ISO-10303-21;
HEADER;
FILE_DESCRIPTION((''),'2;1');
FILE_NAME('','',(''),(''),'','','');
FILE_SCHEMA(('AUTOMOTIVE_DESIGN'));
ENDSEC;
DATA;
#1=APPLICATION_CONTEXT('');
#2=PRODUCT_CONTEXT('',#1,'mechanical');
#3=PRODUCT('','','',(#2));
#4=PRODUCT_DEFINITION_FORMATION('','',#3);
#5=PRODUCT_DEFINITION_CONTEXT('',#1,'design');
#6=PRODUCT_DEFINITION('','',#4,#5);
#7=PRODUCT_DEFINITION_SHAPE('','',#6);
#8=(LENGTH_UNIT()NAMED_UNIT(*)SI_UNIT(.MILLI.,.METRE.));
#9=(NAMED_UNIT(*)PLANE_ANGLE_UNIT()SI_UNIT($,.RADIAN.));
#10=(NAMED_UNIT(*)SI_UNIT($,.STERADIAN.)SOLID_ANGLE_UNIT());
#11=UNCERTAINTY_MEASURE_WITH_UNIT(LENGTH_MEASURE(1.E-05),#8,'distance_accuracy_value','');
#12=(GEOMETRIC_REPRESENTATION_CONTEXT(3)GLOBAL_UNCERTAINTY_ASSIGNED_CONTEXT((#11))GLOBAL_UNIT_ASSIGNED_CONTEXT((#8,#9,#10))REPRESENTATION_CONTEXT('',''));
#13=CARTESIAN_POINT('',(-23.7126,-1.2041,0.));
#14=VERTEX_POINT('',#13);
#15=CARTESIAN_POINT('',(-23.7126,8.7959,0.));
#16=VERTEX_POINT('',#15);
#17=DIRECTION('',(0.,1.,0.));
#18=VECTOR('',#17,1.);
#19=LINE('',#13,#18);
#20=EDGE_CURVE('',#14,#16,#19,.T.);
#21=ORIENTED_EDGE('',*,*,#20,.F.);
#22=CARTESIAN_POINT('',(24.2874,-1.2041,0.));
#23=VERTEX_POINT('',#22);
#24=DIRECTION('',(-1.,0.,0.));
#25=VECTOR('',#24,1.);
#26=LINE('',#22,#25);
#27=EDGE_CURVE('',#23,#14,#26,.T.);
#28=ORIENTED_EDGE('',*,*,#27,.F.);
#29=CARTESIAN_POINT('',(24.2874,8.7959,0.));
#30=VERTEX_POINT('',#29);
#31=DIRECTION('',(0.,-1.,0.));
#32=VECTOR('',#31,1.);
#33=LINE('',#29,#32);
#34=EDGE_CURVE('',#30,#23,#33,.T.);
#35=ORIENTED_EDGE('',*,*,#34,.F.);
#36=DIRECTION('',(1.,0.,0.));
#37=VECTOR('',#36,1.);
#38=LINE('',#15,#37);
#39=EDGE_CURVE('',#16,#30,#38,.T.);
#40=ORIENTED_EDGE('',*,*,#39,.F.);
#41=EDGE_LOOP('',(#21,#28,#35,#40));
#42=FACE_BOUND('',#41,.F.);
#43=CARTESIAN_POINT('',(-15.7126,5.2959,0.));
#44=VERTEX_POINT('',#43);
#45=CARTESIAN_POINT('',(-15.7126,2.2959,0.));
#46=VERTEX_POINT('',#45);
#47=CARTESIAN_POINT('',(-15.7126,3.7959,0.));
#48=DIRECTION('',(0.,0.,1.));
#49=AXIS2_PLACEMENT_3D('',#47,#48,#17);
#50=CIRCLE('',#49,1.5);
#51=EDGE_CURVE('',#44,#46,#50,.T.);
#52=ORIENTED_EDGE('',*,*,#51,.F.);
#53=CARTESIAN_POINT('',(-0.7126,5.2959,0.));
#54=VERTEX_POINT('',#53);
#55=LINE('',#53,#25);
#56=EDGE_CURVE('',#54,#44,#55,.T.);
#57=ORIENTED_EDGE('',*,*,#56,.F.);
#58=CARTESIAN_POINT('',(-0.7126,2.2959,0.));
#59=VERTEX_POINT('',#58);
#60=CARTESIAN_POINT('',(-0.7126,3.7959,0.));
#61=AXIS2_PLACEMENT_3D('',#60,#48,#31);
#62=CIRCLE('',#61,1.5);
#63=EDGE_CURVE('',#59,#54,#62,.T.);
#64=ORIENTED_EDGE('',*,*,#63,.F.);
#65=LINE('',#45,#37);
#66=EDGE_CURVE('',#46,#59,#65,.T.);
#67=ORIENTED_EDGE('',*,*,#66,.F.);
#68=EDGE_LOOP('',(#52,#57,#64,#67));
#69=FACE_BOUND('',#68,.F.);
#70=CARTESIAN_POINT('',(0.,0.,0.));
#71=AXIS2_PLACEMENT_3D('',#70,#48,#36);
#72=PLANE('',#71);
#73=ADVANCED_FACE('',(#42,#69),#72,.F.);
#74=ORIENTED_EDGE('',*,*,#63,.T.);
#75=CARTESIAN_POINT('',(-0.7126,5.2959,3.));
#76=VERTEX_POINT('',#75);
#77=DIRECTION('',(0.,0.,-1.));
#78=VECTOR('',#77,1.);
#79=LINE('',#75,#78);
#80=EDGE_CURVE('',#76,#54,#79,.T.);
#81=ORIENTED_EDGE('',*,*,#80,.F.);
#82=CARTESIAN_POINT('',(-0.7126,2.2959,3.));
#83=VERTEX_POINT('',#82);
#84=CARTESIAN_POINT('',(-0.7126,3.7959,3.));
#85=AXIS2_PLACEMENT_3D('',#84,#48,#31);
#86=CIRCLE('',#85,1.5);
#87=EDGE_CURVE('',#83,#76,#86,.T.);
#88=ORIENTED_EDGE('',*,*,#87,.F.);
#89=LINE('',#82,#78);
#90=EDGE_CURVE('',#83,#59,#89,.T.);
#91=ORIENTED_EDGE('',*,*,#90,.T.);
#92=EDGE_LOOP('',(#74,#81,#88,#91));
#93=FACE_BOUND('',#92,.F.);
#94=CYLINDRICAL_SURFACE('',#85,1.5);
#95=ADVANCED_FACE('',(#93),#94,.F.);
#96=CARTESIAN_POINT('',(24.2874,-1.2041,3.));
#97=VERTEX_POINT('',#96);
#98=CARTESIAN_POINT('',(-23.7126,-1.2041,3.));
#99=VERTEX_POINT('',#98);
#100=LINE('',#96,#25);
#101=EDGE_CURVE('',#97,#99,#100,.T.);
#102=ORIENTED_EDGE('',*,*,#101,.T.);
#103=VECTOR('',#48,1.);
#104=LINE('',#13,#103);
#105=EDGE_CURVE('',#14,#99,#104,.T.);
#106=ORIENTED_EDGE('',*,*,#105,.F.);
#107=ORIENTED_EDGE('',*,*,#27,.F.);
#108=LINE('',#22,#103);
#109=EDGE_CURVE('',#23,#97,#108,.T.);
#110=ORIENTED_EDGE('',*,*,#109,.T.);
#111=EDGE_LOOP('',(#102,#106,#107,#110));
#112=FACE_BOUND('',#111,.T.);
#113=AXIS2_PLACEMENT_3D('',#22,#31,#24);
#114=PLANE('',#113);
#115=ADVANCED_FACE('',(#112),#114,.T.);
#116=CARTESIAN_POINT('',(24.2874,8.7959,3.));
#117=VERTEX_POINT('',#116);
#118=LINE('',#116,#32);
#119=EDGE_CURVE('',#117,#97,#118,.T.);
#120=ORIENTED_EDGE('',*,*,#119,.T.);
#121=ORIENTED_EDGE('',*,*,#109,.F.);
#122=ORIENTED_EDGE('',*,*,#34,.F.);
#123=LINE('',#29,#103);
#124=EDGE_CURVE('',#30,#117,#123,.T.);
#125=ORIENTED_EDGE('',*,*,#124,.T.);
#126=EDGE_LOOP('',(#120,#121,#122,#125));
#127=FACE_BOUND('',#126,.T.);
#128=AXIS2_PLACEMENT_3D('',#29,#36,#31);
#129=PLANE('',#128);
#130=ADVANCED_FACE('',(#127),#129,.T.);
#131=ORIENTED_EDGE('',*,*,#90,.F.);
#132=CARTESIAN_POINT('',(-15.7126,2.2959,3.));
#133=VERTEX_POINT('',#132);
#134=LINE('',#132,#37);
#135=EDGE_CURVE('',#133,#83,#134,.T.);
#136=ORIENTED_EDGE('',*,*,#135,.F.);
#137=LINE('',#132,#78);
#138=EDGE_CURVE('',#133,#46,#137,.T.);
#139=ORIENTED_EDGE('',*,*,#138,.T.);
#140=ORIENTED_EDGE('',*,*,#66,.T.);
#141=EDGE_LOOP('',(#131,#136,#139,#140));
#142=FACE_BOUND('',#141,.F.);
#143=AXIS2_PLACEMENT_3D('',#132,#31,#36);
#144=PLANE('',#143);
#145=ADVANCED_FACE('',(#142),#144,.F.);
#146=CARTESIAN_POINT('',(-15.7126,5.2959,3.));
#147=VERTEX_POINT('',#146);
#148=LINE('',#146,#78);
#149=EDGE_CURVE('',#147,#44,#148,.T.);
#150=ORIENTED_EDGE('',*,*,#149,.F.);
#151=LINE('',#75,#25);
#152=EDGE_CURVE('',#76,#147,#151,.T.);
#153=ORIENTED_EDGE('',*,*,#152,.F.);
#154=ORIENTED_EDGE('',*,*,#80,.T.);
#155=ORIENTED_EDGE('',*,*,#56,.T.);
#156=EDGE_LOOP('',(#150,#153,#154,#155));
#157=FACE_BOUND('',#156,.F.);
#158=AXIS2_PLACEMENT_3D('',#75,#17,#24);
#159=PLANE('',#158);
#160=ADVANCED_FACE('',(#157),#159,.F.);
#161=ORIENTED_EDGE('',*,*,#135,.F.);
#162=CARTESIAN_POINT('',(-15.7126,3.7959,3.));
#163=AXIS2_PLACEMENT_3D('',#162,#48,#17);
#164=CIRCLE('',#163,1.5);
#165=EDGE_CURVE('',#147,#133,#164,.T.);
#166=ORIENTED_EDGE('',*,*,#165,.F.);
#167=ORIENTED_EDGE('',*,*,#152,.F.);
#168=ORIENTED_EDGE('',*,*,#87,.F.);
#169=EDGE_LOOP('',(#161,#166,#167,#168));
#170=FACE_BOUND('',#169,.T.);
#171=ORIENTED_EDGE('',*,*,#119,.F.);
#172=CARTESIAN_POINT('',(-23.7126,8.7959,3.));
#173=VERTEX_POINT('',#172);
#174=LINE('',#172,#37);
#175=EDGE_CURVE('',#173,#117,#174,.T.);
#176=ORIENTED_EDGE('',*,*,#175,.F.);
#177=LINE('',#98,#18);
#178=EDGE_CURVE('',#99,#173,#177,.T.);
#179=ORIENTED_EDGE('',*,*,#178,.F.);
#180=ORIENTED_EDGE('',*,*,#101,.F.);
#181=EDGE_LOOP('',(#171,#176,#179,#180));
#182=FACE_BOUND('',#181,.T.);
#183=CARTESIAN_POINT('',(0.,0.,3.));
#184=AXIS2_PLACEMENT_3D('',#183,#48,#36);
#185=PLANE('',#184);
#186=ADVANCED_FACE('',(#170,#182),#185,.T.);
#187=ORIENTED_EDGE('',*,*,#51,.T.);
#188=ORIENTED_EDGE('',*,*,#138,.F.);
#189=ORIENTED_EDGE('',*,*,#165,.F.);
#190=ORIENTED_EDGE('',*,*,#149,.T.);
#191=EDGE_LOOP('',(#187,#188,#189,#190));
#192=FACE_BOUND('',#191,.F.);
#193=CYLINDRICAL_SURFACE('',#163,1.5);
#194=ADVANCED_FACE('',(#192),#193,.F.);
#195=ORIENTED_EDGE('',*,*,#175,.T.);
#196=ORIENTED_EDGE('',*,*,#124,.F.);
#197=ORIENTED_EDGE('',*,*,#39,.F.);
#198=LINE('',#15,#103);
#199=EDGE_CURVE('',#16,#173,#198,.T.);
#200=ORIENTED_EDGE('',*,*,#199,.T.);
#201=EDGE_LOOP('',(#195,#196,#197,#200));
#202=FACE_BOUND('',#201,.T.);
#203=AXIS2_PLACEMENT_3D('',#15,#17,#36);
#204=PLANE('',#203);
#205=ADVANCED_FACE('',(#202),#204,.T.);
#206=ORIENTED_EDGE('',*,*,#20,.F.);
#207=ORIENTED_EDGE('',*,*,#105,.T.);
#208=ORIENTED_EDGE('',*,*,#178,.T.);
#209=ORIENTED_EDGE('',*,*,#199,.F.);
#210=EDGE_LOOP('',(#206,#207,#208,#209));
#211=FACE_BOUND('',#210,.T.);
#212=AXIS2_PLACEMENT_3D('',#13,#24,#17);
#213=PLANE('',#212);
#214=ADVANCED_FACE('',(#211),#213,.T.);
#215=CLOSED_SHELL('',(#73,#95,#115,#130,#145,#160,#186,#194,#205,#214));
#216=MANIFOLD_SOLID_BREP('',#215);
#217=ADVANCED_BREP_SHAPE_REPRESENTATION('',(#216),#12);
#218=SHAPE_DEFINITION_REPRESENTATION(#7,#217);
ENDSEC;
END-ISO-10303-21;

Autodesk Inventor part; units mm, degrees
ref_plane "YZ Plane" through (0, 0, 0) normal (1, 0, 0) x (0, 1, 0)
ref_plane "XZ Plane" through (0, 0, 0) normal (0, 1, 0) x (-1, 0, 0)
ref_plane "XY Plane" through (0, 0, 0) normal (0, 0, 1) x (1, 0, 0)
sketch "スケッチ1" plane through (0, 0, 0) normal (0, 0, 1) x (1, 0, 0)
  line L0 (-23.7126, 8.7959) -> (24.2874, 8.7959)
  line L1 (24.2874, 8.7959) -> (24.2874, -1.2041)
  line L2 (24.2874, -1.2041) -> (-23.7126, -1.2041)
  line L3 (-23.7126, -1.2041) -> (-23.7126, 8.7959)
  point P0 (0, 0)
  dimension "d0" = 48
  dimension "d1" = 10
extrude "押し出し1" add sketch "スケッチ1" along normal blind 3
sketch "スケッチ2" plane through (0, 0, 3) normal (0, 0, 1) x (1, 0, 0)
  line L0 (-15.7126, 3.7959) -> (-0.7126, 3.7959) construction
  line L1 (-15.7126, 2.2959) -> (-0.7126, 2.2959)
  line L2 (-0.7126, 5.2959) -> (-15.7126, 5.2959)
  arc A0 (-15.7126, 5.2959) -> (-15.7126, 2.2959) centre (-15.7126, 3.7959) ccw
  arc A1 (-0.7126, 2.2959) -> (-0.7126, 5.2959) centre (-0.7126, 3.7959) ccw
  line L3 (-23.7126, 8.7959) -> (-23.7126, -1.2041) projected
  line L4 (24.2874, 8.7959) -> (-23.7126, 8.7959) projected
  point P0 (0, 0)
  point P1 (-8.2126, 3.7959)
  dimension "d4" = 15
  dimension "d5" = 3
  dimension "d6" = 8
  dimension "d7" = 5
extrude "押し出し2" cut sketch "スケッチ2" against normal blind 3
properties part number "creat7"
